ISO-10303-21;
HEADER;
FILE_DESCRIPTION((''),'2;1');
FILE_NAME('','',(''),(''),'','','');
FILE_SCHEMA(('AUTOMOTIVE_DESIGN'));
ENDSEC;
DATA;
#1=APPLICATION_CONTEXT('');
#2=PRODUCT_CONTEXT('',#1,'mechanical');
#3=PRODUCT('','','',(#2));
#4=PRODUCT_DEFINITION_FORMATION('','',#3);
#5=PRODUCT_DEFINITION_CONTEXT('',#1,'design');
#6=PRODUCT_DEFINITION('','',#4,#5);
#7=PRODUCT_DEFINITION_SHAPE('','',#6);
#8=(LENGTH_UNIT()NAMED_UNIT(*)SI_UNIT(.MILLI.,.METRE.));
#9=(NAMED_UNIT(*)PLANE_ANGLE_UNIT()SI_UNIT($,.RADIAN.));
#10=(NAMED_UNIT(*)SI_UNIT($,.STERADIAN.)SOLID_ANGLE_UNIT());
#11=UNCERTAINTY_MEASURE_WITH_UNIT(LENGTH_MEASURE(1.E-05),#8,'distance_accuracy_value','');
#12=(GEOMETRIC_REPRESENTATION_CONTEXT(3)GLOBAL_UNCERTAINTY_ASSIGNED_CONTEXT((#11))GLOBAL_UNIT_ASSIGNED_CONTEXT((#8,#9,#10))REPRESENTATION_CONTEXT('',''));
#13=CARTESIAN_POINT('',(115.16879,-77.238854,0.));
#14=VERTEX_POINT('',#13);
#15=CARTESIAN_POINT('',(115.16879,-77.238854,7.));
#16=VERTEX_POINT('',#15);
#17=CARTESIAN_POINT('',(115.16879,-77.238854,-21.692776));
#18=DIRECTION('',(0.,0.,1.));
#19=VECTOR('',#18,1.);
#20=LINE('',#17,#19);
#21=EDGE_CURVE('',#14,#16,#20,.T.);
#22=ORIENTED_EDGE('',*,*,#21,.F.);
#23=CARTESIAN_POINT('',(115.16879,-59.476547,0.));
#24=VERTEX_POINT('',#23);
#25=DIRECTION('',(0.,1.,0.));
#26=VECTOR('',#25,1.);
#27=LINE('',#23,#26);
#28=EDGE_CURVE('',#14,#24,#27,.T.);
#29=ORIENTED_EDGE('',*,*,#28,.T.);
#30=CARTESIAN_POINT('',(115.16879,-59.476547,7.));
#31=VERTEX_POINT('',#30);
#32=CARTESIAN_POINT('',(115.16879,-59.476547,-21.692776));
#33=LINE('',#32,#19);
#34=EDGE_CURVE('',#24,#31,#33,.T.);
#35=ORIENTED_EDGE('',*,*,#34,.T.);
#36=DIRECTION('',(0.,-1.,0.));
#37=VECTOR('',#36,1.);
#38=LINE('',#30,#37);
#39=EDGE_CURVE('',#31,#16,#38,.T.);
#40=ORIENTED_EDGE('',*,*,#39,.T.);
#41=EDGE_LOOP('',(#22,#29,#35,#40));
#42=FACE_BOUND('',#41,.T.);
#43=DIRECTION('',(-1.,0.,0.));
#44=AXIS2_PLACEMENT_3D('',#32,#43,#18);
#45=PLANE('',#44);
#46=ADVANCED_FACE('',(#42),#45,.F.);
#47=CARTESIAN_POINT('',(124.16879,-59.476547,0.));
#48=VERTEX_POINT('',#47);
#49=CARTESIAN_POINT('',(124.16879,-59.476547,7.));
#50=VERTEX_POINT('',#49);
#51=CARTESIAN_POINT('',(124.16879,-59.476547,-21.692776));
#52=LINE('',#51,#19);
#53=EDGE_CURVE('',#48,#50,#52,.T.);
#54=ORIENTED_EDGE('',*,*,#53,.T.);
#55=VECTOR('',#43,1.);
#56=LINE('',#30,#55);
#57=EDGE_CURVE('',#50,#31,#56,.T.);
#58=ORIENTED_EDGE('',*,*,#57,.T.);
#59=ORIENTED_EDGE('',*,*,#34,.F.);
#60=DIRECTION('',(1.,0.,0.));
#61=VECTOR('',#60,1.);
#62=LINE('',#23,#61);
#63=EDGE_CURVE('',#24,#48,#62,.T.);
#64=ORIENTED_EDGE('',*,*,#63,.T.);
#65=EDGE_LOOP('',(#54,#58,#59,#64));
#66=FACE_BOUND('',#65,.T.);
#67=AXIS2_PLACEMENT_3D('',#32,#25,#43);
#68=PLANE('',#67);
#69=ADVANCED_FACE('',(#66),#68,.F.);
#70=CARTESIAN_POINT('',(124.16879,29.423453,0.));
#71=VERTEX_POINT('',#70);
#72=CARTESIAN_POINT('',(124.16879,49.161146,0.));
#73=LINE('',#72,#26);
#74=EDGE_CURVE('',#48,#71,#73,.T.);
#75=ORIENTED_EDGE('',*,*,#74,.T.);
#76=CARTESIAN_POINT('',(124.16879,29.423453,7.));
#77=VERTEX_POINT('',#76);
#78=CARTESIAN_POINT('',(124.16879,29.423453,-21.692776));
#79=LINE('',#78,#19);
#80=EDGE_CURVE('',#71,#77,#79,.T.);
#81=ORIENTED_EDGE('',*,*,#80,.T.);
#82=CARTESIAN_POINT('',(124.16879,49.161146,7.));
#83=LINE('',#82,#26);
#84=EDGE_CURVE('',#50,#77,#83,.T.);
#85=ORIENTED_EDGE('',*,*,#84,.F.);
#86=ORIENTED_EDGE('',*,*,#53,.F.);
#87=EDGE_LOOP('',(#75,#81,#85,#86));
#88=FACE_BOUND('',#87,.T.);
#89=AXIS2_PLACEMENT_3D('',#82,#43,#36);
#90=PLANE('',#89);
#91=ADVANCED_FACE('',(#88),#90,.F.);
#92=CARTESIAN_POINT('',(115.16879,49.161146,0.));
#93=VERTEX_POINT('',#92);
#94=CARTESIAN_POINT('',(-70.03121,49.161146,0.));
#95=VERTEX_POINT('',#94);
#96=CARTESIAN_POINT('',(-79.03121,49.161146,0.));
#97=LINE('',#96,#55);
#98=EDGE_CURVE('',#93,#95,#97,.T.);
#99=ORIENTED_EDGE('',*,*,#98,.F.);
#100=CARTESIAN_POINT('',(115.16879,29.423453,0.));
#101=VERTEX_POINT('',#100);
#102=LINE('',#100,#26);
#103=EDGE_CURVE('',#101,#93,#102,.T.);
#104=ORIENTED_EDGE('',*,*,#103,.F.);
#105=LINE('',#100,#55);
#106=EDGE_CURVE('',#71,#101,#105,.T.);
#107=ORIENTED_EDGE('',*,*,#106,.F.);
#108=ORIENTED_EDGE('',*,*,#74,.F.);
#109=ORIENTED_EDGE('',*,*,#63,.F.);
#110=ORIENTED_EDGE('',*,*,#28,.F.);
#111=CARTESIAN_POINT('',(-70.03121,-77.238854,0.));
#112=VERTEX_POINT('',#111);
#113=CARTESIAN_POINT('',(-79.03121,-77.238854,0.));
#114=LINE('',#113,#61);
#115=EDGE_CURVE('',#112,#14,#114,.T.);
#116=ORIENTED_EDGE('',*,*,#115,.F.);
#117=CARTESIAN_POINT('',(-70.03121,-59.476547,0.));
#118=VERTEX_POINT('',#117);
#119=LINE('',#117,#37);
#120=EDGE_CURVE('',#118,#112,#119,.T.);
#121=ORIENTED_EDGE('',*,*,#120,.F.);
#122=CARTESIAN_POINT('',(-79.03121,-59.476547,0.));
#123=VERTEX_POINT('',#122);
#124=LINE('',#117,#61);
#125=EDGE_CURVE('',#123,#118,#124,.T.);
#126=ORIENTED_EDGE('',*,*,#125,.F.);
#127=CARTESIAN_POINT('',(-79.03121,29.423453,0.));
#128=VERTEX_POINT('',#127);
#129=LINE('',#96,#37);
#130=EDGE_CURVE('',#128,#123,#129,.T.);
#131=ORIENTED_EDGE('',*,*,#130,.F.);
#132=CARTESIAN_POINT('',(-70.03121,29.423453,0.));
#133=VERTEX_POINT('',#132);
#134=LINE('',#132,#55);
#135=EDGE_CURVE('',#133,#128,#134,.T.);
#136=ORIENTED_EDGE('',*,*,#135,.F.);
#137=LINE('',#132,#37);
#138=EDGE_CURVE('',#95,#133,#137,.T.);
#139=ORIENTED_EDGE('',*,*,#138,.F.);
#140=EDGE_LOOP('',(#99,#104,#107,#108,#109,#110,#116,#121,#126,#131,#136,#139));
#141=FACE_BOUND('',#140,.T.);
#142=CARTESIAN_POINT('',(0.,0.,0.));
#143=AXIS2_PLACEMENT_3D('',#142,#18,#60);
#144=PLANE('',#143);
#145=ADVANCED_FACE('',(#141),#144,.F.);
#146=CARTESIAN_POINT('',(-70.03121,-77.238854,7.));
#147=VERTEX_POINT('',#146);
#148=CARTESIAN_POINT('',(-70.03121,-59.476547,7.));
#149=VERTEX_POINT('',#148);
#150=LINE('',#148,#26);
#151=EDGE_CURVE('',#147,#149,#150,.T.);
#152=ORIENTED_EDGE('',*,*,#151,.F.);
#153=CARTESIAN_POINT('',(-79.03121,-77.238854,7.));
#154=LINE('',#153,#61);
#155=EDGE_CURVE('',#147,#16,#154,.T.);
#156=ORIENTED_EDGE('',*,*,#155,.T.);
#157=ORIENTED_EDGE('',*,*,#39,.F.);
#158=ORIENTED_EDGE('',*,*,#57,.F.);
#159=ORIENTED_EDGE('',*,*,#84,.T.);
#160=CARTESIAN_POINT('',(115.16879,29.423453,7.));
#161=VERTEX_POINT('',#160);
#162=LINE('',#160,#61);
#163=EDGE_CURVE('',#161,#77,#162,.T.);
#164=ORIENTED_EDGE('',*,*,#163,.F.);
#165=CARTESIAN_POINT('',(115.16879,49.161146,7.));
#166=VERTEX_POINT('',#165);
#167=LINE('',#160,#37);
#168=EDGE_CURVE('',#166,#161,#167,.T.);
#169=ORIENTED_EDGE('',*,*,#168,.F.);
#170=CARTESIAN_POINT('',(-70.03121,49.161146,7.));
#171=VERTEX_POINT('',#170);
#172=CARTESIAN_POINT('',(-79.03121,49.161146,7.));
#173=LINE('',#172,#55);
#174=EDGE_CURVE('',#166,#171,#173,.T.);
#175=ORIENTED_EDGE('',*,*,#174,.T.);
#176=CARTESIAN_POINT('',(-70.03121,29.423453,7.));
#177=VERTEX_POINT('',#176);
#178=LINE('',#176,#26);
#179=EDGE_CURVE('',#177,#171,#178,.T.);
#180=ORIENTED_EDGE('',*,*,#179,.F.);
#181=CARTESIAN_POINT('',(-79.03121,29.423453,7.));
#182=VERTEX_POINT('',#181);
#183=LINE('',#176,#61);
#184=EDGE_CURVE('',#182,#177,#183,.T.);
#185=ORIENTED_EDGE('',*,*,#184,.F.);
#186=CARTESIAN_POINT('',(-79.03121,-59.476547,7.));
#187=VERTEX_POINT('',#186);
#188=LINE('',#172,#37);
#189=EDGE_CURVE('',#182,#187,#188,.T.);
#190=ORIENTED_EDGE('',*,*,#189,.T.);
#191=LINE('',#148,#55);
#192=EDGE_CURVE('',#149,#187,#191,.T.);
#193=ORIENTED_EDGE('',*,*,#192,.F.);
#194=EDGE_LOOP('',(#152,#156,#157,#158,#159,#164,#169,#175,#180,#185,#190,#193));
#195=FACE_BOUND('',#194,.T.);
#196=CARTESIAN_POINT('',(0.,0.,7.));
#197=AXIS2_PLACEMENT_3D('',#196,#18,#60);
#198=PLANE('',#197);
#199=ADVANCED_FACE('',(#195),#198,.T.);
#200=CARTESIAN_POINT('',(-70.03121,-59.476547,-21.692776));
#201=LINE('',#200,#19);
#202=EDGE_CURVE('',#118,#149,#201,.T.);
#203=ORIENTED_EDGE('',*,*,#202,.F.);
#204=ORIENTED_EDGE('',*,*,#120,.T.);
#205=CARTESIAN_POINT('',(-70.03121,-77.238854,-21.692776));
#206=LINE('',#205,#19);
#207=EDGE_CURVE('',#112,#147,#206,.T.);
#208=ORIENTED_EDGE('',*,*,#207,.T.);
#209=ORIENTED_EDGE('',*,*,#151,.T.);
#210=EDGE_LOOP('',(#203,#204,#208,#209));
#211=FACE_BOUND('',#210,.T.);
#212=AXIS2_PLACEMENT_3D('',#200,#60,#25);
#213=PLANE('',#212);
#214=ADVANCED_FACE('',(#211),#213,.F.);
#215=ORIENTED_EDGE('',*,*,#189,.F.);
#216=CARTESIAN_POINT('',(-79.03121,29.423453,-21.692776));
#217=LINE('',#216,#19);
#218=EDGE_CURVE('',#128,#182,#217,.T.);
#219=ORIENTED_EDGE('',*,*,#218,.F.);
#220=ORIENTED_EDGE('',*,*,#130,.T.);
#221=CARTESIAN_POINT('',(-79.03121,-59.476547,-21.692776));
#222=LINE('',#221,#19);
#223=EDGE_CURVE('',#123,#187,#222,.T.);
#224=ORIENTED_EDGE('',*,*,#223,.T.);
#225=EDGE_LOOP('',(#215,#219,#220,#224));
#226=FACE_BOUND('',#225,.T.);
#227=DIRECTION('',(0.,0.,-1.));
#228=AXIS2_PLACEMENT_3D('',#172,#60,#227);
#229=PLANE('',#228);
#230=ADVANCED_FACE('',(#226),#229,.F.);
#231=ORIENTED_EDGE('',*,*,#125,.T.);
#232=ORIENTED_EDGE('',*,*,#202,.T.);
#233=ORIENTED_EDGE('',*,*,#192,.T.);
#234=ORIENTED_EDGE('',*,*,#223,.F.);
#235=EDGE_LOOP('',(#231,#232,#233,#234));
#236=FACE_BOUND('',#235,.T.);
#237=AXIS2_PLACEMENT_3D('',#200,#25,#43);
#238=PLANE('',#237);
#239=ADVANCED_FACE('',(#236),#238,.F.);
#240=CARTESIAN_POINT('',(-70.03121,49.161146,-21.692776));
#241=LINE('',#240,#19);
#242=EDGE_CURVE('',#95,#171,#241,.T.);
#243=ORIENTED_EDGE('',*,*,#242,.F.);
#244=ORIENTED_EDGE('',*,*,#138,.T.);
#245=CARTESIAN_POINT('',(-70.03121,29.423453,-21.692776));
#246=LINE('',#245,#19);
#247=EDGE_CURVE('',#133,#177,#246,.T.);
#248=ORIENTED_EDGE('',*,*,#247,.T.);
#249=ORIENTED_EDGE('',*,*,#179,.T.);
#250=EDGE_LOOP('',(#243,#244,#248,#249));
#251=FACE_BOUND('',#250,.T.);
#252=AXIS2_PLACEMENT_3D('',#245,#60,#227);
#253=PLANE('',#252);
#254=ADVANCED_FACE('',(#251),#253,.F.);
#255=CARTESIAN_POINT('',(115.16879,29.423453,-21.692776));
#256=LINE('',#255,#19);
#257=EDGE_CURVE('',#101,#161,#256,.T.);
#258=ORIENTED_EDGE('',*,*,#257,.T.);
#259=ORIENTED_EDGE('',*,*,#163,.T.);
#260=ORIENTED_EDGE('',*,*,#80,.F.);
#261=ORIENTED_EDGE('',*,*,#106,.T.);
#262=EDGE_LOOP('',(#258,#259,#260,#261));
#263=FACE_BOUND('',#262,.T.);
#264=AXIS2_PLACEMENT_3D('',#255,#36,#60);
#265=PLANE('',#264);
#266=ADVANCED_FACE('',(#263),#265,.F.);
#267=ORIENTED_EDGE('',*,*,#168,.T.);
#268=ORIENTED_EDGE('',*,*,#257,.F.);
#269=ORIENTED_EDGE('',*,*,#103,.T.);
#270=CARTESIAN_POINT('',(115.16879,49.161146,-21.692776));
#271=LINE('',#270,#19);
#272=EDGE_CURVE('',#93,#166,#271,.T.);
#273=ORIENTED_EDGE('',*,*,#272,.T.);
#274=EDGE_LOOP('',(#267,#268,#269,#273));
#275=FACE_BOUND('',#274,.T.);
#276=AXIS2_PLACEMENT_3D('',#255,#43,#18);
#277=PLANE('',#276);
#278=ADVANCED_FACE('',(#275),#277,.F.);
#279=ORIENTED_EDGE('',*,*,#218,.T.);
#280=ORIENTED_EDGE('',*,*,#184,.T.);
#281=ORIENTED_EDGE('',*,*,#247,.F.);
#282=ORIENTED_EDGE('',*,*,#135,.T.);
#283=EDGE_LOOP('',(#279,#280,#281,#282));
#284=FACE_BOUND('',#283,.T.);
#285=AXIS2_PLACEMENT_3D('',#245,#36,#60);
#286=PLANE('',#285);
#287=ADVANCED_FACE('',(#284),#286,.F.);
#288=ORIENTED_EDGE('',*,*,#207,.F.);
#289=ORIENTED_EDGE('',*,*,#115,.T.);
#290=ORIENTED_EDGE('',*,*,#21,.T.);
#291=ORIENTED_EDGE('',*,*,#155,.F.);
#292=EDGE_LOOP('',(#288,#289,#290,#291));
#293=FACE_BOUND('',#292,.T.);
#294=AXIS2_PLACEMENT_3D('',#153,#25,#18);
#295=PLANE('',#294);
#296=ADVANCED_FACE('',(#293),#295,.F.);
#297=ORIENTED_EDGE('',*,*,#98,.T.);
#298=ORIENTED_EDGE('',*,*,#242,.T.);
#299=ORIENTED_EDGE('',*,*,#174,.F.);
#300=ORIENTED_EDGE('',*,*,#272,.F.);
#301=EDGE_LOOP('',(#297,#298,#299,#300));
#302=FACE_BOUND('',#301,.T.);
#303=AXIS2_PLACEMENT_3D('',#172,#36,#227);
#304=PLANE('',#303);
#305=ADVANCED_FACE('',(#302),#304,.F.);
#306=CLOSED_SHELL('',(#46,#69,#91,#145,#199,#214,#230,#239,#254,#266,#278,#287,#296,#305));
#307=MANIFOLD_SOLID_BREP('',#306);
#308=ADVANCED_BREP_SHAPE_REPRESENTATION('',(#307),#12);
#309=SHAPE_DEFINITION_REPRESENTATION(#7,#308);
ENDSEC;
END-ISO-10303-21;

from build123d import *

# Parameters (mm, degrees)
SKETCH1_W           = 203.2
SKETCH1_H           = 126.4
BOSS_EXTRUDE1_DEPTH = 7
SKETCH2_W           = 9
SKETCH2_H           = 17.762306908
SKETCH2_H_2         = 19.737693092
CUT_EXTRUDE1_DEPTH  = 7


with BuildPart() as part:
    # Sketch1 → Boss-Extrude1 (new body)
    with BuildSketch(Plane.XY):
        with Locations((22.568789809, -14.038853503)):
            Rectangle(SKETCH1_W, SKETCH1_H)
    extrude(amount=BOSS_EXTRUDE1_DEPTH)

    # Sketch2 → Cut-Extrude1 (cut)
    with BuildSketch(Plane.XY.offset(7)):
        with Locations((-74.531210191, -68.357700049)):
            Rectangle(SKETCH2_W, SKETCH2_H)
        with Locations((119.668789809, -68.357700049)):
            Rectangle(SKETCH2_W, SKETCH2_H)
        with Locations((119.668789809, 39.292299951)):
            Rectangle(SKETCH2_W, SKETCH2_H_2)
        with Locations((-74.531210191, 39.292299951)):
            Rectangle(SKETCH2_W, SKETCH2_H_2)
    extrude(amount=-CUT_EXTRUDE1_DEPTH, mode=Mode.SUBTRACT)


solid = part.part
